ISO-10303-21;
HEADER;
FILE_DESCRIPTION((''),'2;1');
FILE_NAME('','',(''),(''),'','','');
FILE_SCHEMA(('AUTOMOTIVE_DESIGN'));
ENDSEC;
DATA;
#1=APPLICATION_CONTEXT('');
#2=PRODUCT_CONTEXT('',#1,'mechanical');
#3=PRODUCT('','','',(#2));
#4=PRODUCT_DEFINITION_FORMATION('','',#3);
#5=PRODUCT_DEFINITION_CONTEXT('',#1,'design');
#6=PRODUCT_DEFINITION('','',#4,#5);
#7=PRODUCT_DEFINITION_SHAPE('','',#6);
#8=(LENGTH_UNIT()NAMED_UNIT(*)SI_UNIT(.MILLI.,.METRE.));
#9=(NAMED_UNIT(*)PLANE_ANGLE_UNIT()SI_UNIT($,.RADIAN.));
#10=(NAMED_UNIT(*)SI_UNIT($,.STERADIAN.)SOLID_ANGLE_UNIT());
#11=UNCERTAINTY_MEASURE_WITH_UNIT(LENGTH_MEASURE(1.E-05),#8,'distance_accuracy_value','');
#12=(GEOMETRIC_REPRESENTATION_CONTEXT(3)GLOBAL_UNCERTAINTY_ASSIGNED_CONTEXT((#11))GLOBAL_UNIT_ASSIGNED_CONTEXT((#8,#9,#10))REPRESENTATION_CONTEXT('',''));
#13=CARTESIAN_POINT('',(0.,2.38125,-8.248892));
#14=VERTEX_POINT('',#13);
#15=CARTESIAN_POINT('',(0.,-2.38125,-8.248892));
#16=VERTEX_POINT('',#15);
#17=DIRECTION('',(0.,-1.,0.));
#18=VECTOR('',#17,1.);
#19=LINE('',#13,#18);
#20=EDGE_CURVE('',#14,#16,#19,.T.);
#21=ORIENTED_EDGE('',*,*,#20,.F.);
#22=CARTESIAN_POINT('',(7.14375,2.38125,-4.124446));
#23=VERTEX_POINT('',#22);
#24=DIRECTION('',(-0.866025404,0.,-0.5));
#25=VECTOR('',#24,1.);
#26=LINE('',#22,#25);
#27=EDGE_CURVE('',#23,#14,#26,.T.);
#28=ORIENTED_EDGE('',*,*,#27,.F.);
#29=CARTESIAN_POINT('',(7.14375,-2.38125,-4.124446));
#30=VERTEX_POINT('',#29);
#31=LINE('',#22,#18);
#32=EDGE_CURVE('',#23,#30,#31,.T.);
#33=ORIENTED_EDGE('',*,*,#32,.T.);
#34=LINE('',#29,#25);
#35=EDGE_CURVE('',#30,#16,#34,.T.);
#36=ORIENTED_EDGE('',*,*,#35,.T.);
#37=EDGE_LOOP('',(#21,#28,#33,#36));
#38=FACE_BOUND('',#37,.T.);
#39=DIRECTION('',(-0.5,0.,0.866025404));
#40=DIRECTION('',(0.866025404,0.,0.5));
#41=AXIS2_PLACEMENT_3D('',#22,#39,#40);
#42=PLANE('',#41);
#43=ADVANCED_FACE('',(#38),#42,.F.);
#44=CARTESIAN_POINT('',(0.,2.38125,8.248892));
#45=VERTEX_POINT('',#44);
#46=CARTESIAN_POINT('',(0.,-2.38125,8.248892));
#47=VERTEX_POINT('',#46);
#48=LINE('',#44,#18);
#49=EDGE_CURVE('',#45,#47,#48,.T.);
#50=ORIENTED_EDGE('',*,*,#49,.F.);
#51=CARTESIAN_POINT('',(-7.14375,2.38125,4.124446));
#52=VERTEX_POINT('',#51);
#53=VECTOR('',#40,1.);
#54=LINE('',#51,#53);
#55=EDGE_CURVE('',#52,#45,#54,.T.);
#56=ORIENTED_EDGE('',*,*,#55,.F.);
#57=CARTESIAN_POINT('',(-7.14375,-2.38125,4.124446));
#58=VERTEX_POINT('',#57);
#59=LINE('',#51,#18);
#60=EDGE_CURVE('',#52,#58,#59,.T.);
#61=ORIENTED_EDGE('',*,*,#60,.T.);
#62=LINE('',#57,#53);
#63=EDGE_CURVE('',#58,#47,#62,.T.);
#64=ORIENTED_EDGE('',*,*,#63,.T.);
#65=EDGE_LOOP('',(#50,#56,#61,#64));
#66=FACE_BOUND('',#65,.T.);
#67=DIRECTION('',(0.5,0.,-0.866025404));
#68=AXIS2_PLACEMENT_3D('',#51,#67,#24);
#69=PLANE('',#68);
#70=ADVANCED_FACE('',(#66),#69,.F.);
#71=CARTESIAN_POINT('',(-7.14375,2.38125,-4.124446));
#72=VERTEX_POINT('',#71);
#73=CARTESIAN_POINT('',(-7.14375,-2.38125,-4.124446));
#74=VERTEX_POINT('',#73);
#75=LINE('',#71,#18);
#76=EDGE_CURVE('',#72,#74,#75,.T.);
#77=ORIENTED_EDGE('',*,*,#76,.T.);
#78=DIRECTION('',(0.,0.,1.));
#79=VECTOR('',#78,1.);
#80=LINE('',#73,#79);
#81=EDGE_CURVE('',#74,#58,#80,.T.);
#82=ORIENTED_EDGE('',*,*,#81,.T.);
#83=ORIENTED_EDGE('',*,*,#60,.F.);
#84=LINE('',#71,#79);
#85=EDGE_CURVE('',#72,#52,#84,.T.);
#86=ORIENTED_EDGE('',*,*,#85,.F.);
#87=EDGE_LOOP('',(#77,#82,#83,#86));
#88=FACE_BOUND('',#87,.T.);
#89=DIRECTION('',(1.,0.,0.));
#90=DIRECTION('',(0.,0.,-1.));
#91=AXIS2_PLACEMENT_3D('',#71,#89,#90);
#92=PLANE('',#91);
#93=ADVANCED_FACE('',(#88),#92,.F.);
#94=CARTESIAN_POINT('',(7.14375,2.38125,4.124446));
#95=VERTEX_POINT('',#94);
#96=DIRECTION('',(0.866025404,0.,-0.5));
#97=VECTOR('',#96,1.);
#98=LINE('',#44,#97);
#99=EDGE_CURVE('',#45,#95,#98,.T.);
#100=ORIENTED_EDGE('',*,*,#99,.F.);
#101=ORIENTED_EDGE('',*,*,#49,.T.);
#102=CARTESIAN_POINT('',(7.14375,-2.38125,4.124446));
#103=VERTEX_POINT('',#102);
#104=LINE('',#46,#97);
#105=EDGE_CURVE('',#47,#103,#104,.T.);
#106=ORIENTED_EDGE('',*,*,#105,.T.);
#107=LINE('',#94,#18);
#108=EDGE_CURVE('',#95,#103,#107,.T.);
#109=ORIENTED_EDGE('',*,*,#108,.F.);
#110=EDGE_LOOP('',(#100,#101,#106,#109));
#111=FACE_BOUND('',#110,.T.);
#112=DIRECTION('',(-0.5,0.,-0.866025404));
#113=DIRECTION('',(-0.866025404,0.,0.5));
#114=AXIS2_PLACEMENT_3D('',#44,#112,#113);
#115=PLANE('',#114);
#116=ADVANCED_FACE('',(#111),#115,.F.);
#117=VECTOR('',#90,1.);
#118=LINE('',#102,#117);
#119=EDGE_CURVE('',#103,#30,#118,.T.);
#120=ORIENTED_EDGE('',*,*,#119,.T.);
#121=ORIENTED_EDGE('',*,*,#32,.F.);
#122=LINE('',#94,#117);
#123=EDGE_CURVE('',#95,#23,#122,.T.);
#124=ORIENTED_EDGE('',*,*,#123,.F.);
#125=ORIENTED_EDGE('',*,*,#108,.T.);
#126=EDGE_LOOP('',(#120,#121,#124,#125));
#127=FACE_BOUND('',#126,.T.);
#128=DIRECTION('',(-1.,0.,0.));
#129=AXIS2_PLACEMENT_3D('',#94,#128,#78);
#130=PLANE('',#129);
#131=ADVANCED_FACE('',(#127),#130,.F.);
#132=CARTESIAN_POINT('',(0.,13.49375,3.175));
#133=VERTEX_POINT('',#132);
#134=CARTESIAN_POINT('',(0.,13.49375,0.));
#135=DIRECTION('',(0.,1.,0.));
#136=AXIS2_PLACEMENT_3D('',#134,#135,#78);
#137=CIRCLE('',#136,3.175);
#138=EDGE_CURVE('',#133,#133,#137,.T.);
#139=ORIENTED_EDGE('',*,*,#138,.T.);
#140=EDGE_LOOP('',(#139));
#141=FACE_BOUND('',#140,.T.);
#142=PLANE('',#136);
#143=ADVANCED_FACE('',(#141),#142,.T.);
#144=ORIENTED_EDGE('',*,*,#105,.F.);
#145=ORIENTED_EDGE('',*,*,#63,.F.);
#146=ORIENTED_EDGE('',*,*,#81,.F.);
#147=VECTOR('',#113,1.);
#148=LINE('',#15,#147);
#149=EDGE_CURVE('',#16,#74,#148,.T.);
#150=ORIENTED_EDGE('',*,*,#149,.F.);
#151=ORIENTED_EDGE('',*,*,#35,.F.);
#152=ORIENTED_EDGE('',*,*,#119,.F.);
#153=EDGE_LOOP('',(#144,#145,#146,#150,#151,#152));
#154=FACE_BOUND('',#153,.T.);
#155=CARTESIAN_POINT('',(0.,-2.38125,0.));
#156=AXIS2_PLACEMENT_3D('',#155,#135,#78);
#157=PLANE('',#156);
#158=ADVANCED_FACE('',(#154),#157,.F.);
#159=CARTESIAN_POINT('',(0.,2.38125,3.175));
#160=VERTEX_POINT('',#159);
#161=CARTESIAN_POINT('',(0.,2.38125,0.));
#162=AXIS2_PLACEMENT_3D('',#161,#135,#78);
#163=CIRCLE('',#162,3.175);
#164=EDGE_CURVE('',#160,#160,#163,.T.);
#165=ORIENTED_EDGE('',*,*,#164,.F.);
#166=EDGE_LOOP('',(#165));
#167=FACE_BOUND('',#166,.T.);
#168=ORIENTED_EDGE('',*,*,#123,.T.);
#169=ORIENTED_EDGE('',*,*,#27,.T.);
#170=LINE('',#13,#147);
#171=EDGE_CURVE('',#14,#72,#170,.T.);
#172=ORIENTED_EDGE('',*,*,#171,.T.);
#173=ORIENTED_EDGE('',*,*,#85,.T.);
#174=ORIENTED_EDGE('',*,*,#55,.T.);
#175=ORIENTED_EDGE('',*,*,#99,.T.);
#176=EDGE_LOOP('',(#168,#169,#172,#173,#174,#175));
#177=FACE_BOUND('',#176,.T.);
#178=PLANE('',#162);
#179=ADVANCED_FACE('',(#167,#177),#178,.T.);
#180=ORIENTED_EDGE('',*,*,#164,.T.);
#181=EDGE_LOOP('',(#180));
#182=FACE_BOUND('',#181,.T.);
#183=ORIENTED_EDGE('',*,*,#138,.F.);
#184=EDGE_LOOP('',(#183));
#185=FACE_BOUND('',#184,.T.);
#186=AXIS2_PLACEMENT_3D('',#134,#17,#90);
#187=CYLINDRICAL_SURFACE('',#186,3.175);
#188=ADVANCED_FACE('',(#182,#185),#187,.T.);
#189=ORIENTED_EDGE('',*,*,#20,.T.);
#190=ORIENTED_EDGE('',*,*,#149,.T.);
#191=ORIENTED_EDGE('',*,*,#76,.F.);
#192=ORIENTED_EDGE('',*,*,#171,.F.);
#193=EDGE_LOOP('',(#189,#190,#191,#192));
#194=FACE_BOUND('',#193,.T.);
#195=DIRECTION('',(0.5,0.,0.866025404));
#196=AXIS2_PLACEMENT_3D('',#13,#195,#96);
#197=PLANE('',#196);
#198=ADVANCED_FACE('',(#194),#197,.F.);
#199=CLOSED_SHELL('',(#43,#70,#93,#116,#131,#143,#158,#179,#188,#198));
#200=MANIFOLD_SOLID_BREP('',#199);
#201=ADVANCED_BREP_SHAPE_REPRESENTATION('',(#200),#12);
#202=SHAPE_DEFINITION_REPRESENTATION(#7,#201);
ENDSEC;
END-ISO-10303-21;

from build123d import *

# Parameters (mm, degrees)
BOSS_EXTRUDE1_DEPTH = 2.38125
SKETCH2_R           = 3.175
BOSS_EXTRUDE2_DEPTH = 11.1125


with BuildPart() as part:
    # Sketch1 → Boss-Extrude1 (new, symmetric)
    with BuildSketch(Plane(origin=(0, 0, 0), x_dir=(1, 0, 0), z_dir=(0, 1, 0))):
        Polygon((0, 8.248891971), (-7.14375, 4.124445986), (-7.14375, -4.124445986), (0, -8.248891971), (7.14375, -4.124445986), (7.14375, 4.124445986), align=None)
    extrude(amount=BOSS_EXTRUDE1_DEPTH, both=True)

    # Sketch2 → Boss-Extrude2 (add)
    with BuildSketch(Plane(origin=(0, 2.38125, 0), x_dir=(1, 0, 0), z_dir=(0, 1, 0))):
        with Locations(Location((0, 0, 0), (0, 0, 270))):
            Circle(SKETCH2_R)
    extrude(amount=BOSS_EXTRUDE2_DEPTH)


solid = part.part
